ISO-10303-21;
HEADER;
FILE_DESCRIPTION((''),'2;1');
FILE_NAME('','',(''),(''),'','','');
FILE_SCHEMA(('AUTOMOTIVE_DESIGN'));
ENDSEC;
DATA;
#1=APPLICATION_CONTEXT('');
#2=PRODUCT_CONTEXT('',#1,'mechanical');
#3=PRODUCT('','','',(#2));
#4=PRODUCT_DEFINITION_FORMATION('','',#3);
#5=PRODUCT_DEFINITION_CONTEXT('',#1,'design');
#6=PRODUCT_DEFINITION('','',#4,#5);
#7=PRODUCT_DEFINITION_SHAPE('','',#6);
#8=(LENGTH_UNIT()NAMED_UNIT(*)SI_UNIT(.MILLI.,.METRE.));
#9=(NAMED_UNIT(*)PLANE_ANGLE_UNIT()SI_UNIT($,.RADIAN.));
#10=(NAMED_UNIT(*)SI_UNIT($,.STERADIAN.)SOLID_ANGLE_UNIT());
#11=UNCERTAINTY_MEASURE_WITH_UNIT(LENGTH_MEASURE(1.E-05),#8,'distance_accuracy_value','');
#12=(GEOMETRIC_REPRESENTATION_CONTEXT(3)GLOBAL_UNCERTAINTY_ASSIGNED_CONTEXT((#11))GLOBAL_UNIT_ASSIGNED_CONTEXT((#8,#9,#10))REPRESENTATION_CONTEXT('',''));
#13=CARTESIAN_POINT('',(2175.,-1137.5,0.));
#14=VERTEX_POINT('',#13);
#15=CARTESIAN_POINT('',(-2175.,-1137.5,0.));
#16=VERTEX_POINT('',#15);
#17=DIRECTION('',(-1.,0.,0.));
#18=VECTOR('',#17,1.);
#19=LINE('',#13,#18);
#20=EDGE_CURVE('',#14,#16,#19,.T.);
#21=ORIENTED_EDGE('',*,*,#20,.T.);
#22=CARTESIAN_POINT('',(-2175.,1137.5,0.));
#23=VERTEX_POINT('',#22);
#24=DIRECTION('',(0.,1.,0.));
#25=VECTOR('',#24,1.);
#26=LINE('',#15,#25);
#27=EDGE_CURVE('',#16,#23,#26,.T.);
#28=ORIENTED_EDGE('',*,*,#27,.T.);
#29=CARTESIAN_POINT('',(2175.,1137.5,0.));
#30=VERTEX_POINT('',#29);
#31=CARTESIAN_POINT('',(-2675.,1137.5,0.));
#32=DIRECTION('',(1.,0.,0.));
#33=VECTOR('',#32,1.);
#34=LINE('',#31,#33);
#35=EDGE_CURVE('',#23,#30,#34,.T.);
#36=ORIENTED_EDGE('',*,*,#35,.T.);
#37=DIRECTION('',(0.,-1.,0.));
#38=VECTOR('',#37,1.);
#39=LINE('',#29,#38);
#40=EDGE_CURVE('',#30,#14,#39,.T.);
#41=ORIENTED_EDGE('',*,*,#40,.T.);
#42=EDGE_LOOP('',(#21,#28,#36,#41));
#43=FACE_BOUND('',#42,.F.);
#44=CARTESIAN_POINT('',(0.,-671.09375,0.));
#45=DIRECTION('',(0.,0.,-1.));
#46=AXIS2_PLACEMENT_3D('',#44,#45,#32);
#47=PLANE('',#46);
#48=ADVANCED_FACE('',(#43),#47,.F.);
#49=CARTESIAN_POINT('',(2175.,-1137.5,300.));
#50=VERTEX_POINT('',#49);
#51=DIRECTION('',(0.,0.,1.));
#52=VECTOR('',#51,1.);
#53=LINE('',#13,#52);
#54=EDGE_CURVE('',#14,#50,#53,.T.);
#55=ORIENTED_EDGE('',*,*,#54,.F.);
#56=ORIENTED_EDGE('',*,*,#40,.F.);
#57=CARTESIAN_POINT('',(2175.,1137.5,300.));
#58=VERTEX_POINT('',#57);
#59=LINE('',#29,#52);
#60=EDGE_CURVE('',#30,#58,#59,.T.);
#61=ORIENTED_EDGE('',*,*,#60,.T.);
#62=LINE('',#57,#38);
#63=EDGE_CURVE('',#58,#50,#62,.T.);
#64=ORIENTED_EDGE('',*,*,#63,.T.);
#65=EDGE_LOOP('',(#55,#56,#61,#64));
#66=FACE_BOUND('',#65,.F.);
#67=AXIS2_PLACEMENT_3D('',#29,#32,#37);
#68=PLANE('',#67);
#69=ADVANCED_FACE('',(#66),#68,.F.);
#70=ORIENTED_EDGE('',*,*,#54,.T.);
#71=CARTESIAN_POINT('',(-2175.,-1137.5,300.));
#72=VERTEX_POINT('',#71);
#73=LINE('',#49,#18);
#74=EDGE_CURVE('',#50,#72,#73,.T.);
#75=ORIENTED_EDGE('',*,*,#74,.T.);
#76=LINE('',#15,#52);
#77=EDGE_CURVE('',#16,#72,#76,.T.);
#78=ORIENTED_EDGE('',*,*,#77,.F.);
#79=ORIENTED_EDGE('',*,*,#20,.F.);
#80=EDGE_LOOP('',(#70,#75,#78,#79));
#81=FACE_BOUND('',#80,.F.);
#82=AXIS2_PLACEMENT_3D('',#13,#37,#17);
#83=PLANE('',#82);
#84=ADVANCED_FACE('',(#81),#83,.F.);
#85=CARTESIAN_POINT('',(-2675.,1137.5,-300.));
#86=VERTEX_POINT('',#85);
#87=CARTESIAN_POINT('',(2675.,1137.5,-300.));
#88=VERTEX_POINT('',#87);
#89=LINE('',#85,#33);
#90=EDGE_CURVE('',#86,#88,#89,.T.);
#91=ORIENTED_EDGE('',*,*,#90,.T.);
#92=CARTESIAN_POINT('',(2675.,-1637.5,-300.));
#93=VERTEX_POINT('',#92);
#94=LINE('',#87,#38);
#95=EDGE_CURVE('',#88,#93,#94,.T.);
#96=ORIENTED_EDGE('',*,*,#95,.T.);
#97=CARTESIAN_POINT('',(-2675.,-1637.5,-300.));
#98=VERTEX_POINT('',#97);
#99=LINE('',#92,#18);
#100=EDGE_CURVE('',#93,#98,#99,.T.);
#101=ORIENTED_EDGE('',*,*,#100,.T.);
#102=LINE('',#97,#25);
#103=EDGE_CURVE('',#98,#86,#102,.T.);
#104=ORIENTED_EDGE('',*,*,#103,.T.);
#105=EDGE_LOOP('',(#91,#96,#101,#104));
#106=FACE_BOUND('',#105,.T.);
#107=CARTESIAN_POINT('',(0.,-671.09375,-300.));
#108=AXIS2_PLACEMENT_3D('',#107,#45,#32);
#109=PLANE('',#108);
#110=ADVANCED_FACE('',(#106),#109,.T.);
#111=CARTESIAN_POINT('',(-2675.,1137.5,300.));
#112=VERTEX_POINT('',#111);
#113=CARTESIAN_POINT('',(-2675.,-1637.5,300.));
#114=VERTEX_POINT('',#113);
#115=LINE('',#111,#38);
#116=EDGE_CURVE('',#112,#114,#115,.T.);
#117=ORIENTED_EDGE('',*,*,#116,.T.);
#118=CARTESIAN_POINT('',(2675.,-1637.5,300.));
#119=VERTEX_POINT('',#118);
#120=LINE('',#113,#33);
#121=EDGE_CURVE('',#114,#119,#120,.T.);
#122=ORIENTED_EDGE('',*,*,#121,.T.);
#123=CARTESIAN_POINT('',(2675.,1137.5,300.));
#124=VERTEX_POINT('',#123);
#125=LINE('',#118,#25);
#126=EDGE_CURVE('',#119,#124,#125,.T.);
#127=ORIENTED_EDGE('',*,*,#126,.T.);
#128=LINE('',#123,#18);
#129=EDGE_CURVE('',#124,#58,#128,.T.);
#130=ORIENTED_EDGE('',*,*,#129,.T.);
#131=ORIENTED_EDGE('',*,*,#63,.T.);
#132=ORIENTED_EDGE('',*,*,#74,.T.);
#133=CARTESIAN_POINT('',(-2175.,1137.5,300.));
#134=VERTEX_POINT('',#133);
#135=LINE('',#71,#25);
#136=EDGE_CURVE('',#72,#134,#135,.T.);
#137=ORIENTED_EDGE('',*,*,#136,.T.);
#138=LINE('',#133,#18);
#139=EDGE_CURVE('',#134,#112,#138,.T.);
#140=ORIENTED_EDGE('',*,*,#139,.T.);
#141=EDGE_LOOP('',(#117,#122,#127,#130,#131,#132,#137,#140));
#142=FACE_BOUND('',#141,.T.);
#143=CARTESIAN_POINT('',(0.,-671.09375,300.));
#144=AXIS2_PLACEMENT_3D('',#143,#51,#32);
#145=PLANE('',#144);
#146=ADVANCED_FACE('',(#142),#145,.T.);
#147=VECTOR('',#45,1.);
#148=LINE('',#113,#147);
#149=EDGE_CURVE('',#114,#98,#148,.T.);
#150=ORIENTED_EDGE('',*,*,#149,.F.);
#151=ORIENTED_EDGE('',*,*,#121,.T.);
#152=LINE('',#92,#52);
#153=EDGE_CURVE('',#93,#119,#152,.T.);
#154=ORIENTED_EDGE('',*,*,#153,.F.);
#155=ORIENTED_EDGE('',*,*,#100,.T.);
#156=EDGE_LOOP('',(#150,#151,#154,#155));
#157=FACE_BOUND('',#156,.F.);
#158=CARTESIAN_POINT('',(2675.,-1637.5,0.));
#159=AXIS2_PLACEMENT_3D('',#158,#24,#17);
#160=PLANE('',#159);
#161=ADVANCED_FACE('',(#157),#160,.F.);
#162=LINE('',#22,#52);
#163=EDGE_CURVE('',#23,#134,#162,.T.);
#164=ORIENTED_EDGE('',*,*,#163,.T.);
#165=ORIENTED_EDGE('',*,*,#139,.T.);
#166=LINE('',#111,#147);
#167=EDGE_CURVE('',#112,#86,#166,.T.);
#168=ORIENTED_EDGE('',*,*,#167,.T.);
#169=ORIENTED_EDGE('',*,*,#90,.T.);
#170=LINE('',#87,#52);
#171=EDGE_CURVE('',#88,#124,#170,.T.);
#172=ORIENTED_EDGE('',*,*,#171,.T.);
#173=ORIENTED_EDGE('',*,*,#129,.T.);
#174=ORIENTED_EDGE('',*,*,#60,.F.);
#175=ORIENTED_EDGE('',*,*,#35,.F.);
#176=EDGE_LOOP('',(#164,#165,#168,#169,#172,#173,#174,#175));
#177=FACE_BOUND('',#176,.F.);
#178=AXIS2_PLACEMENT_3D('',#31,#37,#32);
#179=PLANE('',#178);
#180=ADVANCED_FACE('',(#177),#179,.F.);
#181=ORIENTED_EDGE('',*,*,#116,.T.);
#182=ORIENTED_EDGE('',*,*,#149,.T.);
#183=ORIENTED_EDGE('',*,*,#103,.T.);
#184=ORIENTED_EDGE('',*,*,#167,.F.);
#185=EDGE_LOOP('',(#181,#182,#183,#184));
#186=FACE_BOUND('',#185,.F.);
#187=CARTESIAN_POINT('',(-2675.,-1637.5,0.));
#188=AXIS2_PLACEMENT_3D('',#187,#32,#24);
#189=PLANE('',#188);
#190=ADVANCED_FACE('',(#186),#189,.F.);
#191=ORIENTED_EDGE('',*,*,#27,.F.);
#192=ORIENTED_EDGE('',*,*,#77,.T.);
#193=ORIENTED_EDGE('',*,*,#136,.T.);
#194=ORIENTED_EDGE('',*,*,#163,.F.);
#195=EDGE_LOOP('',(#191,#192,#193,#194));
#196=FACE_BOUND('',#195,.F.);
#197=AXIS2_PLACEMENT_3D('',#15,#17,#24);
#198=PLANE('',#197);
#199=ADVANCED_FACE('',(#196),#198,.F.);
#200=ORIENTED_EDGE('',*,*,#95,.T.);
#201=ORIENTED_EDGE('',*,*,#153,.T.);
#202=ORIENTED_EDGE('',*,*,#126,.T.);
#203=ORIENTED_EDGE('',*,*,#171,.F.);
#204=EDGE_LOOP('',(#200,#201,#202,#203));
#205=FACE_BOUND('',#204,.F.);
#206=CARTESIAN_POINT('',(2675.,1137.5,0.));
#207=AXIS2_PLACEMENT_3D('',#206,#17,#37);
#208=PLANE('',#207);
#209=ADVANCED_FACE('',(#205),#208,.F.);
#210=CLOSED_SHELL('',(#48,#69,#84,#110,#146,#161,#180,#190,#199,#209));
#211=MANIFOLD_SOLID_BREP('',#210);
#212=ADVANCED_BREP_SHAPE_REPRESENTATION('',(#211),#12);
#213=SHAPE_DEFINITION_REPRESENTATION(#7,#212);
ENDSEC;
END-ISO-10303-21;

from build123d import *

# Parameters (mm, degrees)
F1_DEPTH = 300
F2_W     = 4350
F2_H     = 2275
F3_DEPTH = 300


with BuildPart() as f1:
    # F0 (on Top) → F1 (new body)
    with BuildSketch(Plane.XY):
        Polygon((2175, 1137.5), (2175, -1137.5), (-2175, -1137.5), (-2175, 1137.5), (-2675, 1137.5), (-2675, -1637.5), (2675, -1637.5), (2675, 1137.5), align=None)
    extrude(amount=F1_DEPTH)

    # F2 (on face) → F3 (join)
    with BuildSketch(Plane(origin=(0, 0, 0), x_dir=(1, 0, 0), z_dir=(0, 0, -1))):
        Polygon((2675, 1637.5), (-2675, 1637.5), (-2675, -1137.5), (-2175, -1137.5), (-2175, 1137.5), (2175, 1137.5), (2175, -1137.5), (2675, -1137.5), align=None)
        Rectangle(F2_W, F2_H)
    extrude(amount=F3_DEPTH)


solid = f1.part
